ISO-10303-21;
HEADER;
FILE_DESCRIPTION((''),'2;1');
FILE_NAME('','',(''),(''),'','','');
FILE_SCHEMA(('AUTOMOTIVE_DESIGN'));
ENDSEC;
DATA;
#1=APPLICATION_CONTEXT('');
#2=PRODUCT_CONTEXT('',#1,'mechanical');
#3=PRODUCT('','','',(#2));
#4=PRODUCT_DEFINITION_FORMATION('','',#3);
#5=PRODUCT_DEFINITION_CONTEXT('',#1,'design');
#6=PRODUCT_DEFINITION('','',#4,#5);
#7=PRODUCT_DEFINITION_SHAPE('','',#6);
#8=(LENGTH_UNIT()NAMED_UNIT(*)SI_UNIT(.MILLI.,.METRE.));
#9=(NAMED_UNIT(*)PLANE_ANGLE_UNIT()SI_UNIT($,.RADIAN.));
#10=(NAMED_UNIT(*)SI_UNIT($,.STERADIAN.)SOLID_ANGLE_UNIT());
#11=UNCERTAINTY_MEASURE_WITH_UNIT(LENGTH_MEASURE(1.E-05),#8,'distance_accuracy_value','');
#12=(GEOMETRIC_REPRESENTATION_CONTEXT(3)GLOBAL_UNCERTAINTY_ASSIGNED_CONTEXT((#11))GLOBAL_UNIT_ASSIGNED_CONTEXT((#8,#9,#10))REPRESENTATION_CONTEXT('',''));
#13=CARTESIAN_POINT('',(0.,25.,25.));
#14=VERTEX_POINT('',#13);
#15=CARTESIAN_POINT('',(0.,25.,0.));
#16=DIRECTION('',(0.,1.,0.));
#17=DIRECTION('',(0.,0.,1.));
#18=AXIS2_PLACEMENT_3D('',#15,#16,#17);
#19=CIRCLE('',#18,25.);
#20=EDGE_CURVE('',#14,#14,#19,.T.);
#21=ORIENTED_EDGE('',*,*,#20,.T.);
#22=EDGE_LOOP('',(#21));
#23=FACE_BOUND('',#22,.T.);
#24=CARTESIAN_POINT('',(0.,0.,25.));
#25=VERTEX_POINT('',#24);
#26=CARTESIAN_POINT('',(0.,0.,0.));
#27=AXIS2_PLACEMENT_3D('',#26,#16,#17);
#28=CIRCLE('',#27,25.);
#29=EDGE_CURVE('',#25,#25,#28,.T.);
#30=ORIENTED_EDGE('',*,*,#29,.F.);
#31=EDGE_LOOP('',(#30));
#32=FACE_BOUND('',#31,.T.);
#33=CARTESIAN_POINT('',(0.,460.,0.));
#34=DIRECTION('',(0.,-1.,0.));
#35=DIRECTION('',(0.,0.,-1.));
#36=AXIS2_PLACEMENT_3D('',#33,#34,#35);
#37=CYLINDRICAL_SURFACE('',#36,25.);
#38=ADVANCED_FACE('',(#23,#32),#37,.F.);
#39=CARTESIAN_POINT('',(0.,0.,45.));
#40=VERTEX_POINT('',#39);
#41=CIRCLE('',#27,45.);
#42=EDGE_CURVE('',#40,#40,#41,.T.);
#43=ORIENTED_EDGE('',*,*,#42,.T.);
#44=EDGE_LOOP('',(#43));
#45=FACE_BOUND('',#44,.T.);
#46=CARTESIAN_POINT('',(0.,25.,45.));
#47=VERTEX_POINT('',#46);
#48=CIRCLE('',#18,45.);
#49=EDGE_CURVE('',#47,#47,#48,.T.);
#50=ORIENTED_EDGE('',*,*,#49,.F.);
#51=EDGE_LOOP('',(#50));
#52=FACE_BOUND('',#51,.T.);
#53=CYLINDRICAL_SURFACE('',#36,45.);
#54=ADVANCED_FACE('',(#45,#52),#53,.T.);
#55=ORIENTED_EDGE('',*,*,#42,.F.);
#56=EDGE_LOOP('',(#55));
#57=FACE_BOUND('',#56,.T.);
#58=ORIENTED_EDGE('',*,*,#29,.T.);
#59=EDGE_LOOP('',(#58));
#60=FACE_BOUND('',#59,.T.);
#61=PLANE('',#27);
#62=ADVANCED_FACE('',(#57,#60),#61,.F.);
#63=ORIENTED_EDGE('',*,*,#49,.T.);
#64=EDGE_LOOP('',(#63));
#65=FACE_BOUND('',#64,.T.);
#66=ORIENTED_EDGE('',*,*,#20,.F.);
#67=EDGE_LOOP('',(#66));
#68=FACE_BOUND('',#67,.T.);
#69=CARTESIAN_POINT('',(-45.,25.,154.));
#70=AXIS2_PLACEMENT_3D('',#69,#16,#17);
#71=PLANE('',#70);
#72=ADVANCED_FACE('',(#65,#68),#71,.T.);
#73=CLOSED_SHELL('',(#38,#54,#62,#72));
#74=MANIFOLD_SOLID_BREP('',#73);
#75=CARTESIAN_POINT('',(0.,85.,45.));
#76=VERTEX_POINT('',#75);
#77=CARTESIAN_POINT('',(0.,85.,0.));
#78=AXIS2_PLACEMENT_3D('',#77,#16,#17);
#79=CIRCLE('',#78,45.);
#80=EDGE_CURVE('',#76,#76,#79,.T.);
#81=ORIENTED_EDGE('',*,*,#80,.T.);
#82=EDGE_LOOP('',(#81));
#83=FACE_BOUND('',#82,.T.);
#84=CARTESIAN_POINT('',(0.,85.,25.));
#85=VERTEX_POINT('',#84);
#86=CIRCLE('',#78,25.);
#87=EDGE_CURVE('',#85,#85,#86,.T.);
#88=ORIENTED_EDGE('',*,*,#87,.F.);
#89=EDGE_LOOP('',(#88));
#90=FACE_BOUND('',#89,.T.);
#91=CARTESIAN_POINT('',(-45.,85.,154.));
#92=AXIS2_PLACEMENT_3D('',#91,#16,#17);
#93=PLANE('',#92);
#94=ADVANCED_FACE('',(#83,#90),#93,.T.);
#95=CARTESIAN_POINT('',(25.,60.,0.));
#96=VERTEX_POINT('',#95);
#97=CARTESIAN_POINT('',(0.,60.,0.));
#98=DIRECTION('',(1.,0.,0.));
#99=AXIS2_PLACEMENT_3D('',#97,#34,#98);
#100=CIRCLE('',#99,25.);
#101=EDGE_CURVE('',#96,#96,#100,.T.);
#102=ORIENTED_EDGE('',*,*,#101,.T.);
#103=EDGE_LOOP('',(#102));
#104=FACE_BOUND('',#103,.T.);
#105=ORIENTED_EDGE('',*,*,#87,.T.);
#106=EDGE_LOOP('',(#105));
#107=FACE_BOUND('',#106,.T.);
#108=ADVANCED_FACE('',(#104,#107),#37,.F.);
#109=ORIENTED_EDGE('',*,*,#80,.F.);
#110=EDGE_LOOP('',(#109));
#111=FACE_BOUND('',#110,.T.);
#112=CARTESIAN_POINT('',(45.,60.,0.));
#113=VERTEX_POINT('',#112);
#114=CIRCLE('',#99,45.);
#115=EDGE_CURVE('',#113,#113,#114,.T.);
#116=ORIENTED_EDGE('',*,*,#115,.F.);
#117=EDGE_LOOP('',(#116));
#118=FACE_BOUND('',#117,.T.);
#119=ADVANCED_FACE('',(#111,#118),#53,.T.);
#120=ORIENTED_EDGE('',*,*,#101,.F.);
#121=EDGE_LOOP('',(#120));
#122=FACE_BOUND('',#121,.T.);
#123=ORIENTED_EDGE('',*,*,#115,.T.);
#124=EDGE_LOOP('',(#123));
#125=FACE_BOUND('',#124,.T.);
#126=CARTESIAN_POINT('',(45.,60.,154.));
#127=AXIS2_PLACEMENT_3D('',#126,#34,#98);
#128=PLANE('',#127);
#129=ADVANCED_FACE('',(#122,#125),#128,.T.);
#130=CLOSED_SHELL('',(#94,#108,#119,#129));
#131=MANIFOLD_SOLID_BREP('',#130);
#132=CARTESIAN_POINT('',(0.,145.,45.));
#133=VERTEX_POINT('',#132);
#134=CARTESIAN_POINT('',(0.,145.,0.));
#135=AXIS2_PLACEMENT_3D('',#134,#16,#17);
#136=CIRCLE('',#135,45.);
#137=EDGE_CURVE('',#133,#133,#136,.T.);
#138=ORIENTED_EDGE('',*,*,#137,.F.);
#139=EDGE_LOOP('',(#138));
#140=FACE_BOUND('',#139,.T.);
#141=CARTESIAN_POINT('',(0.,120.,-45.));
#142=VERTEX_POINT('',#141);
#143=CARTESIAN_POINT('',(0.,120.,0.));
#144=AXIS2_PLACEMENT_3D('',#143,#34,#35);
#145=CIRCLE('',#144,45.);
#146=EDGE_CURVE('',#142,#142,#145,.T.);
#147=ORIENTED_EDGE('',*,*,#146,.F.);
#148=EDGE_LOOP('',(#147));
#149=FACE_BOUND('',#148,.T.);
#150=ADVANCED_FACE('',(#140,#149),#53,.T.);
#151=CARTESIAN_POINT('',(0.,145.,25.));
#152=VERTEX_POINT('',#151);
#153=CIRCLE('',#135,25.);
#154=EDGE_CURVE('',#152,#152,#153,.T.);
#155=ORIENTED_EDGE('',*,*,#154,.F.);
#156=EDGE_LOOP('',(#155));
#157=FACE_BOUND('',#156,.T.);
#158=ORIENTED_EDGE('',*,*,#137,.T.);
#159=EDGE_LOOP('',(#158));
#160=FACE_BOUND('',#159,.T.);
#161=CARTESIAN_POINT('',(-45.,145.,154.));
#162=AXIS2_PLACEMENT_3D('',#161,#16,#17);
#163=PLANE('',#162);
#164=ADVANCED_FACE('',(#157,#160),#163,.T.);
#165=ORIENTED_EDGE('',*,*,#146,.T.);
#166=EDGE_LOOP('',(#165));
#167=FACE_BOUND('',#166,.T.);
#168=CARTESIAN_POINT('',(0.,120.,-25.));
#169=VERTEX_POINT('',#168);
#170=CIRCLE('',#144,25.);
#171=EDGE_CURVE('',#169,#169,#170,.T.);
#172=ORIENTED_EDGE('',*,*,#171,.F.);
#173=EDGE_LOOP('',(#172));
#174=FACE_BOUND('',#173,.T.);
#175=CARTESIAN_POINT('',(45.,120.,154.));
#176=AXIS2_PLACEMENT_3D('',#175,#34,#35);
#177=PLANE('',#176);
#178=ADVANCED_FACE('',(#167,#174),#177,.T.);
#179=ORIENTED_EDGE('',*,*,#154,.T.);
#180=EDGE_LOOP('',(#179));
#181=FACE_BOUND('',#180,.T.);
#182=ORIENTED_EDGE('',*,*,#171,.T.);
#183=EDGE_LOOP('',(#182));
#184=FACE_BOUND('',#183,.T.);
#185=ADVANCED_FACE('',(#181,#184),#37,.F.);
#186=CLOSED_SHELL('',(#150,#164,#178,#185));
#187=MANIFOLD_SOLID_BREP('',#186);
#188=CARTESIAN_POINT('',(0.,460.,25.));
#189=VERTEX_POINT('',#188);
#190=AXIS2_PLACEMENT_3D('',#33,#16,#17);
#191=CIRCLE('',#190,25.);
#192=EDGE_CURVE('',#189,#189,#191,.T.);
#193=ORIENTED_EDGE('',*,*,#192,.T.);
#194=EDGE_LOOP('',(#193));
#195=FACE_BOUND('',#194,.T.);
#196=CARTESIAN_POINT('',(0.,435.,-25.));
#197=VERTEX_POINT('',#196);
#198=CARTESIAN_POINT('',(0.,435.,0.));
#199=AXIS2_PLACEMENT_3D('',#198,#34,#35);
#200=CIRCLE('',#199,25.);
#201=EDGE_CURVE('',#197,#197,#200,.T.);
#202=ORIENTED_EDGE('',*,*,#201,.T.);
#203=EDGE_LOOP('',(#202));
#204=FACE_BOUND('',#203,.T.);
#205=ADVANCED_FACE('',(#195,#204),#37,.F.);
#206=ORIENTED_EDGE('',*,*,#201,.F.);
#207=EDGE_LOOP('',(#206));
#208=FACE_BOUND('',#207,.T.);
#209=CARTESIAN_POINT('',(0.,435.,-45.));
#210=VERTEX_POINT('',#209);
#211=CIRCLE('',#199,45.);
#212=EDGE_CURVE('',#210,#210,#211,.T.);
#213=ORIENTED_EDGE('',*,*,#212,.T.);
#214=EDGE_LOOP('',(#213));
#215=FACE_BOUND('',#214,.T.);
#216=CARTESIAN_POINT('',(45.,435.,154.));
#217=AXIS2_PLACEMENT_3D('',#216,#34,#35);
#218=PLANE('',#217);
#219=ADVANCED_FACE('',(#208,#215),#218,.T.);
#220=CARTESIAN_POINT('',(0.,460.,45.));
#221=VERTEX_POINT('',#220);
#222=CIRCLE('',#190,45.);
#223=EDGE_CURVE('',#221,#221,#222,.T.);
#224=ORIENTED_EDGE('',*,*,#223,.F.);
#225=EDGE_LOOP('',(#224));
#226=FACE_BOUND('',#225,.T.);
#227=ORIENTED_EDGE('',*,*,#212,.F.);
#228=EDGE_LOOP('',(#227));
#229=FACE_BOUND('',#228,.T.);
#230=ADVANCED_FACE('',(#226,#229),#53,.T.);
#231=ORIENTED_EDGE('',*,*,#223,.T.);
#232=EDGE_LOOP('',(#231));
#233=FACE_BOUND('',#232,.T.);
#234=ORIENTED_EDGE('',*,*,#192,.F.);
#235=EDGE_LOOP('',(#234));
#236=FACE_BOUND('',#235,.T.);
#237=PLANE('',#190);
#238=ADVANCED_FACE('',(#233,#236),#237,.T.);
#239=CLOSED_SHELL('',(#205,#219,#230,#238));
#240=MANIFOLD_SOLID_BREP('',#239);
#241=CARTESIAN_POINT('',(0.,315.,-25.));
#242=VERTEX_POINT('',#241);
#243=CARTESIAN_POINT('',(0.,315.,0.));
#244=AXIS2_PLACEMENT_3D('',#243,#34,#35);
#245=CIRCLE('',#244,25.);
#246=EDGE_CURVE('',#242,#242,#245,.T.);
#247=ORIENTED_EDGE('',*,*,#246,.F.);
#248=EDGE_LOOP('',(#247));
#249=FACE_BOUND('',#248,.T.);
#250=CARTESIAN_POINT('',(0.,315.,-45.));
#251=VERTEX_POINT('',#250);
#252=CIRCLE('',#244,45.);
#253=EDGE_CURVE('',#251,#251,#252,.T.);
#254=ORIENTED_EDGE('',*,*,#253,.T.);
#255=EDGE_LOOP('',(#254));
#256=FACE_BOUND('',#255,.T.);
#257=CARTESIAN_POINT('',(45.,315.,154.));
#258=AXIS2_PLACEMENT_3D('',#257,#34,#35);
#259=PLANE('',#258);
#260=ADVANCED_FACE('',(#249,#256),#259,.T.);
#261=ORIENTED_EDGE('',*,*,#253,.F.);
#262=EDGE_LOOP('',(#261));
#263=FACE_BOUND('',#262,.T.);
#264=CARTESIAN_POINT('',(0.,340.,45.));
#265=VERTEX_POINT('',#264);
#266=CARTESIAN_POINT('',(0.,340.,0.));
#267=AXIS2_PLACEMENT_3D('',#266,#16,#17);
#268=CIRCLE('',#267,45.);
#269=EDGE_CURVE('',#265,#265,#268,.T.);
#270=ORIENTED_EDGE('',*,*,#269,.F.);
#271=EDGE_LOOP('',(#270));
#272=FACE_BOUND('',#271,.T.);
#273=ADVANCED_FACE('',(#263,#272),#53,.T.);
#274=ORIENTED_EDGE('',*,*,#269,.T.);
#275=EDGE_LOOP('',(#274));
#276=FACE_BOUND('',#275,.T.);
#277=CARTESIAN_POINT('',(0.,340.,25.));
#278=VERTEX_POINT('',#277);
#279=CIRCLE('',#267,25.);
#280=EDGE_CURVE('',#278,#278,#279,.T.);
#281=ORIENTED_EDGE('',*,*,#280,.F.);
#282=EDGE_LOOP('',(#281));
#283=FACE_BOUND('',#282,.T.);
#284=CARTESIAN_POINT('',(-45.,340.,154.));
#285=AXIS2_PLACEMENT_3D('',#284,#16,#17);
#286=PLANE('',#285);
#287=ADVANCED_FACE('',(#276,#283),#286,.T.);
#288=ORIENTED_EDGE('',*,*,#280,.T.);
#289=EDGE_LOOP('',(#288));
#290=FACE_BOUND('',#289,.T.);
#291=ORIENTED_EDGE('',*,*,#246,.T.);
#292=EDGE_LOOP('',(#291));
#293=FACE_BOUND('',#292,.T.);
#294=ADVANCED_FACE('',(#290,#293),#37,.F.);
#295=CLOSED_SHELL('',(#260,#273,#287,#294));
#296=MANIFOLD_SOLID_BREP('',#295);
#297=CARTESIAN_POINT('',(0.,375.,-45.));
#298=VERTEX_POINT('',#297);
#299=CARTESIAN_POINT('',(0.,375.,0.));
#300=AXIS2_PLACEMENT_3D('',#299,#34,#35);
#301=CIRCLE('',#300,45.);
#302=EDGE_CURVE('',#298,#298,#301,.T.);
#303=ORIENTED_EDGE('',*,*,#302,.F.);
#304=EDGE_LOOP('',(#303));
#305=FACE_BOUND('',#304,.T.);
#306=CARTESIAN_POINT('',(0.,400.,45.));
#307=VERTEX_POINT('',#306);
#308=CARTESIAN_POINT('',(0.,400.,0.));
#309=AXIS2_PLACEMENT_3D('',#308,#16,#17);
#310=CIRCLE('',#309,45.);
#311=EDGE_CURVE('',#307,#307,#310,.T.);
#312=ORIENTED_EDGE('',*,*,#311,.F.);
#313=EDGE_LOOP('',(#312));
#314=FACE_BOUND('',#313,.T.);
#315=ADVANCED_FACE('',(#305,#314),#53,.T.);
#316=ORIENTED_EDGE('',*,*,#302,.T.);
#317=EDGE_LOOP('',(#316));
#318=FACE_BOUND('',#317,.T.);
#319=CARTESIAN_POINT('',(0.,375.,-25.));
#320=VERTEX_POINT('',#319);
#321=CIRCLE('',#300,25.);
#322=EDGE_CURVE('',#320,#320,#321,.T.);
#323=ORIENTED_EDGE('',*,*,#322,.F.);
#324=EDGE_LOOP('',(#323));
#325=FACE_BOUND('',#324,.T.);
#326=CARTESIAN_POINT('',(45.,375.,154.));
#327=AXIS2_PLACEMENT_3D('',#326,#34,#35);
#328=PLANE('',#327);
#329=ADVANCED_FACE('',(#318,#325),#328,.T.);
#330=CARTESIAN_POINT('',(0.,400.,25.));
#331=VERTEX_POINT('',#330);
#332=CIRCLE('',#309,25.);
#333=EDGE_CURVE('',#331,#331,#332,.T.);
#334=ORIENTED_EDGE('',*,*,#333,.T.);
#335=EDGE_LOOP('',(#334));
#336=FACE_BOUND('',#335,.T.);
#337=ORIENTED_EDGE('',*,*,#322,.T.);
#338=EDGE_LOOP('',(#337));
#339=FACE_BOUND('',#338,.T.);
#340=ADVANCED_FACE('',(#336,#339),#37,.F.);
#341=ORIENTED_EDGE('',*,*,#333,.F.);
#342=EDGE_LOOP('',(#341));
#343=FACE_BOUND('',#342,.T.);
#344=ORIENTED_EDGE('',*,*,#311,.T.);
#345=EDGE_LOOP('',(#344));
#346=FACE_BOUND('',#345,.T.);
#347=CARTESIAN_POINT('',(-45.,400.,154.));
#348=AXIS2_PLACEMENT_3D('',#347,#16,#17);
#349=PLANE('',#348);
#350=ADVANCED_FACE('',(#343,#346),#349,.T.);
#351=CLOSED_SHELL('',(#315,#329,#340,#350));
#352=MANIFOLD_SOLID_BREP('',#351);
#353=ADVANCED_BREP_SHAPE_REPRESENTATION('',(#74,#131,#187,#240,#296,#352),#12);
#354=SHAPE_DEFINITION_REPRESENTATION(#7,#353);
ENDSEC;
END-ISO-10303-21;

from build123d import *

# Parameters (mm, degrees)
SKETCH_1_R               = 45
SKETCH_1_R_2             = 25
EXTRUDE_2_DEPTH          = 460
CUT_EXTRUDE_1_DEPTH      = 154
CUT_EXTRUDE_1_DEPTH_BACK = 248
SKETCH_2_W               = 90
SKETCH_2_H               = 35
SKETCH_2_H_2             = 170


with BuildPart() as part:
    # 草图1 → 凸台-拉伸2 (new body)
    with BuildSketch(Plane(origin=(0, 0, 0), x_dir=(1, 0, 0), z_dir=(0, 1, 0))):
        with Locations(Location((0, 0, 0), (0, 0, 270))):
            Circle(SKETCH_1_R)
        with Locations(Location((0, 0, 0), (0, 0, 270))):
            Circle(SKETCH_1_R_2, mode=Mode.SUBTRACT)
    extrude(amount=EXTRUDE_2_DEPTH)

    # 草图2 → 切除-拉伸1 (cut, two sides: drawn at the far end of the back side and taken through both)
    with BuildSketch(Plane.XY.offset(-CUT_EXTRUDE_1_DEPTH_BACK)):
        with Locations((0, 417.5)):
            Rectangle(SKETCH_2_W, SKETCH_2_H)
        with Locations((0, 357.5)):
            Rectangle(SKETCH_2_W, SKETCH_2_H)
        with Locations((0, 230)):
            Rectangle(SKETCH_2_W, SKETCH_2_H_2)
        with Locations((0, 102.5)):
            Rectangle(SKETCH_2_W, SKETCH_2_H)
        with Locations((0, 42.5)):
            Rectangle(SKETCH_2_W, SKETCH_2_H)
    extrude(amount=CUT_EXTRUDE_1_DEPTH + CUT_EXTRUDE_1_DEPTH_BACK, mode=Mode.SUBTRACT)


with BuildPart() as cut_extrude_1_piece_1:
    # of the separate pieces the step leaves, piece 1, a body of its own (cut_extrude_1_pieces)
    add(part.part.solids().sort_by_distance((0, 120, 45))[0])


with BuildPart() as cut_extrude_1_piece_2:
    # of the separate pieces the step leaves, piece 2, a body of its own (cut_extrude_1_pieces)
    add(part.part.solids().sort_by_distance((0, 60, 45))[0])


with BuildPart() as cut_extrude_1_piece_3:
    # of the separate pieces the step leaves, piece 3, a body of its own (cut_extrude_1_pieces)
    add(part.part.solids().sort_by_distance((0, 435, 45))[0])


with BuildPart() as cut_extrude_1_piece_4:
    # of the separate pieces the step leaves, piece 4, a body of its own (cut_extrude_1_pieces)
    add(part.part.solids().sort_by_distance((0, 315, 45))[0])


with BuildPart() as cut_extrude_1_piece_5:
    # of the separate pieces the step leaves, piece 5, a body of its own (cut_extrude_1_pieces)
    add(part.part.solids().sort_by_distance((0, 375, 45))[0])


with BuildPart() as cut_extrude_1_piece_6:
    # of the separate pieces the step leaves, piece 6, a body of its own (cut_extrude_1_pieces)
    add(part.part.solids().sort_by_distance((0, 0, 45))[0])


solid = Compound([cut_extrude_1_piece_1.part, cut_extrude_1_piece_2.part, cut_extrude_1_piece_3.part, cut_extrude_1_piece_4.part, cut_extrude_1_piece_5.part, cut_extrude_1_piece_6.part])
